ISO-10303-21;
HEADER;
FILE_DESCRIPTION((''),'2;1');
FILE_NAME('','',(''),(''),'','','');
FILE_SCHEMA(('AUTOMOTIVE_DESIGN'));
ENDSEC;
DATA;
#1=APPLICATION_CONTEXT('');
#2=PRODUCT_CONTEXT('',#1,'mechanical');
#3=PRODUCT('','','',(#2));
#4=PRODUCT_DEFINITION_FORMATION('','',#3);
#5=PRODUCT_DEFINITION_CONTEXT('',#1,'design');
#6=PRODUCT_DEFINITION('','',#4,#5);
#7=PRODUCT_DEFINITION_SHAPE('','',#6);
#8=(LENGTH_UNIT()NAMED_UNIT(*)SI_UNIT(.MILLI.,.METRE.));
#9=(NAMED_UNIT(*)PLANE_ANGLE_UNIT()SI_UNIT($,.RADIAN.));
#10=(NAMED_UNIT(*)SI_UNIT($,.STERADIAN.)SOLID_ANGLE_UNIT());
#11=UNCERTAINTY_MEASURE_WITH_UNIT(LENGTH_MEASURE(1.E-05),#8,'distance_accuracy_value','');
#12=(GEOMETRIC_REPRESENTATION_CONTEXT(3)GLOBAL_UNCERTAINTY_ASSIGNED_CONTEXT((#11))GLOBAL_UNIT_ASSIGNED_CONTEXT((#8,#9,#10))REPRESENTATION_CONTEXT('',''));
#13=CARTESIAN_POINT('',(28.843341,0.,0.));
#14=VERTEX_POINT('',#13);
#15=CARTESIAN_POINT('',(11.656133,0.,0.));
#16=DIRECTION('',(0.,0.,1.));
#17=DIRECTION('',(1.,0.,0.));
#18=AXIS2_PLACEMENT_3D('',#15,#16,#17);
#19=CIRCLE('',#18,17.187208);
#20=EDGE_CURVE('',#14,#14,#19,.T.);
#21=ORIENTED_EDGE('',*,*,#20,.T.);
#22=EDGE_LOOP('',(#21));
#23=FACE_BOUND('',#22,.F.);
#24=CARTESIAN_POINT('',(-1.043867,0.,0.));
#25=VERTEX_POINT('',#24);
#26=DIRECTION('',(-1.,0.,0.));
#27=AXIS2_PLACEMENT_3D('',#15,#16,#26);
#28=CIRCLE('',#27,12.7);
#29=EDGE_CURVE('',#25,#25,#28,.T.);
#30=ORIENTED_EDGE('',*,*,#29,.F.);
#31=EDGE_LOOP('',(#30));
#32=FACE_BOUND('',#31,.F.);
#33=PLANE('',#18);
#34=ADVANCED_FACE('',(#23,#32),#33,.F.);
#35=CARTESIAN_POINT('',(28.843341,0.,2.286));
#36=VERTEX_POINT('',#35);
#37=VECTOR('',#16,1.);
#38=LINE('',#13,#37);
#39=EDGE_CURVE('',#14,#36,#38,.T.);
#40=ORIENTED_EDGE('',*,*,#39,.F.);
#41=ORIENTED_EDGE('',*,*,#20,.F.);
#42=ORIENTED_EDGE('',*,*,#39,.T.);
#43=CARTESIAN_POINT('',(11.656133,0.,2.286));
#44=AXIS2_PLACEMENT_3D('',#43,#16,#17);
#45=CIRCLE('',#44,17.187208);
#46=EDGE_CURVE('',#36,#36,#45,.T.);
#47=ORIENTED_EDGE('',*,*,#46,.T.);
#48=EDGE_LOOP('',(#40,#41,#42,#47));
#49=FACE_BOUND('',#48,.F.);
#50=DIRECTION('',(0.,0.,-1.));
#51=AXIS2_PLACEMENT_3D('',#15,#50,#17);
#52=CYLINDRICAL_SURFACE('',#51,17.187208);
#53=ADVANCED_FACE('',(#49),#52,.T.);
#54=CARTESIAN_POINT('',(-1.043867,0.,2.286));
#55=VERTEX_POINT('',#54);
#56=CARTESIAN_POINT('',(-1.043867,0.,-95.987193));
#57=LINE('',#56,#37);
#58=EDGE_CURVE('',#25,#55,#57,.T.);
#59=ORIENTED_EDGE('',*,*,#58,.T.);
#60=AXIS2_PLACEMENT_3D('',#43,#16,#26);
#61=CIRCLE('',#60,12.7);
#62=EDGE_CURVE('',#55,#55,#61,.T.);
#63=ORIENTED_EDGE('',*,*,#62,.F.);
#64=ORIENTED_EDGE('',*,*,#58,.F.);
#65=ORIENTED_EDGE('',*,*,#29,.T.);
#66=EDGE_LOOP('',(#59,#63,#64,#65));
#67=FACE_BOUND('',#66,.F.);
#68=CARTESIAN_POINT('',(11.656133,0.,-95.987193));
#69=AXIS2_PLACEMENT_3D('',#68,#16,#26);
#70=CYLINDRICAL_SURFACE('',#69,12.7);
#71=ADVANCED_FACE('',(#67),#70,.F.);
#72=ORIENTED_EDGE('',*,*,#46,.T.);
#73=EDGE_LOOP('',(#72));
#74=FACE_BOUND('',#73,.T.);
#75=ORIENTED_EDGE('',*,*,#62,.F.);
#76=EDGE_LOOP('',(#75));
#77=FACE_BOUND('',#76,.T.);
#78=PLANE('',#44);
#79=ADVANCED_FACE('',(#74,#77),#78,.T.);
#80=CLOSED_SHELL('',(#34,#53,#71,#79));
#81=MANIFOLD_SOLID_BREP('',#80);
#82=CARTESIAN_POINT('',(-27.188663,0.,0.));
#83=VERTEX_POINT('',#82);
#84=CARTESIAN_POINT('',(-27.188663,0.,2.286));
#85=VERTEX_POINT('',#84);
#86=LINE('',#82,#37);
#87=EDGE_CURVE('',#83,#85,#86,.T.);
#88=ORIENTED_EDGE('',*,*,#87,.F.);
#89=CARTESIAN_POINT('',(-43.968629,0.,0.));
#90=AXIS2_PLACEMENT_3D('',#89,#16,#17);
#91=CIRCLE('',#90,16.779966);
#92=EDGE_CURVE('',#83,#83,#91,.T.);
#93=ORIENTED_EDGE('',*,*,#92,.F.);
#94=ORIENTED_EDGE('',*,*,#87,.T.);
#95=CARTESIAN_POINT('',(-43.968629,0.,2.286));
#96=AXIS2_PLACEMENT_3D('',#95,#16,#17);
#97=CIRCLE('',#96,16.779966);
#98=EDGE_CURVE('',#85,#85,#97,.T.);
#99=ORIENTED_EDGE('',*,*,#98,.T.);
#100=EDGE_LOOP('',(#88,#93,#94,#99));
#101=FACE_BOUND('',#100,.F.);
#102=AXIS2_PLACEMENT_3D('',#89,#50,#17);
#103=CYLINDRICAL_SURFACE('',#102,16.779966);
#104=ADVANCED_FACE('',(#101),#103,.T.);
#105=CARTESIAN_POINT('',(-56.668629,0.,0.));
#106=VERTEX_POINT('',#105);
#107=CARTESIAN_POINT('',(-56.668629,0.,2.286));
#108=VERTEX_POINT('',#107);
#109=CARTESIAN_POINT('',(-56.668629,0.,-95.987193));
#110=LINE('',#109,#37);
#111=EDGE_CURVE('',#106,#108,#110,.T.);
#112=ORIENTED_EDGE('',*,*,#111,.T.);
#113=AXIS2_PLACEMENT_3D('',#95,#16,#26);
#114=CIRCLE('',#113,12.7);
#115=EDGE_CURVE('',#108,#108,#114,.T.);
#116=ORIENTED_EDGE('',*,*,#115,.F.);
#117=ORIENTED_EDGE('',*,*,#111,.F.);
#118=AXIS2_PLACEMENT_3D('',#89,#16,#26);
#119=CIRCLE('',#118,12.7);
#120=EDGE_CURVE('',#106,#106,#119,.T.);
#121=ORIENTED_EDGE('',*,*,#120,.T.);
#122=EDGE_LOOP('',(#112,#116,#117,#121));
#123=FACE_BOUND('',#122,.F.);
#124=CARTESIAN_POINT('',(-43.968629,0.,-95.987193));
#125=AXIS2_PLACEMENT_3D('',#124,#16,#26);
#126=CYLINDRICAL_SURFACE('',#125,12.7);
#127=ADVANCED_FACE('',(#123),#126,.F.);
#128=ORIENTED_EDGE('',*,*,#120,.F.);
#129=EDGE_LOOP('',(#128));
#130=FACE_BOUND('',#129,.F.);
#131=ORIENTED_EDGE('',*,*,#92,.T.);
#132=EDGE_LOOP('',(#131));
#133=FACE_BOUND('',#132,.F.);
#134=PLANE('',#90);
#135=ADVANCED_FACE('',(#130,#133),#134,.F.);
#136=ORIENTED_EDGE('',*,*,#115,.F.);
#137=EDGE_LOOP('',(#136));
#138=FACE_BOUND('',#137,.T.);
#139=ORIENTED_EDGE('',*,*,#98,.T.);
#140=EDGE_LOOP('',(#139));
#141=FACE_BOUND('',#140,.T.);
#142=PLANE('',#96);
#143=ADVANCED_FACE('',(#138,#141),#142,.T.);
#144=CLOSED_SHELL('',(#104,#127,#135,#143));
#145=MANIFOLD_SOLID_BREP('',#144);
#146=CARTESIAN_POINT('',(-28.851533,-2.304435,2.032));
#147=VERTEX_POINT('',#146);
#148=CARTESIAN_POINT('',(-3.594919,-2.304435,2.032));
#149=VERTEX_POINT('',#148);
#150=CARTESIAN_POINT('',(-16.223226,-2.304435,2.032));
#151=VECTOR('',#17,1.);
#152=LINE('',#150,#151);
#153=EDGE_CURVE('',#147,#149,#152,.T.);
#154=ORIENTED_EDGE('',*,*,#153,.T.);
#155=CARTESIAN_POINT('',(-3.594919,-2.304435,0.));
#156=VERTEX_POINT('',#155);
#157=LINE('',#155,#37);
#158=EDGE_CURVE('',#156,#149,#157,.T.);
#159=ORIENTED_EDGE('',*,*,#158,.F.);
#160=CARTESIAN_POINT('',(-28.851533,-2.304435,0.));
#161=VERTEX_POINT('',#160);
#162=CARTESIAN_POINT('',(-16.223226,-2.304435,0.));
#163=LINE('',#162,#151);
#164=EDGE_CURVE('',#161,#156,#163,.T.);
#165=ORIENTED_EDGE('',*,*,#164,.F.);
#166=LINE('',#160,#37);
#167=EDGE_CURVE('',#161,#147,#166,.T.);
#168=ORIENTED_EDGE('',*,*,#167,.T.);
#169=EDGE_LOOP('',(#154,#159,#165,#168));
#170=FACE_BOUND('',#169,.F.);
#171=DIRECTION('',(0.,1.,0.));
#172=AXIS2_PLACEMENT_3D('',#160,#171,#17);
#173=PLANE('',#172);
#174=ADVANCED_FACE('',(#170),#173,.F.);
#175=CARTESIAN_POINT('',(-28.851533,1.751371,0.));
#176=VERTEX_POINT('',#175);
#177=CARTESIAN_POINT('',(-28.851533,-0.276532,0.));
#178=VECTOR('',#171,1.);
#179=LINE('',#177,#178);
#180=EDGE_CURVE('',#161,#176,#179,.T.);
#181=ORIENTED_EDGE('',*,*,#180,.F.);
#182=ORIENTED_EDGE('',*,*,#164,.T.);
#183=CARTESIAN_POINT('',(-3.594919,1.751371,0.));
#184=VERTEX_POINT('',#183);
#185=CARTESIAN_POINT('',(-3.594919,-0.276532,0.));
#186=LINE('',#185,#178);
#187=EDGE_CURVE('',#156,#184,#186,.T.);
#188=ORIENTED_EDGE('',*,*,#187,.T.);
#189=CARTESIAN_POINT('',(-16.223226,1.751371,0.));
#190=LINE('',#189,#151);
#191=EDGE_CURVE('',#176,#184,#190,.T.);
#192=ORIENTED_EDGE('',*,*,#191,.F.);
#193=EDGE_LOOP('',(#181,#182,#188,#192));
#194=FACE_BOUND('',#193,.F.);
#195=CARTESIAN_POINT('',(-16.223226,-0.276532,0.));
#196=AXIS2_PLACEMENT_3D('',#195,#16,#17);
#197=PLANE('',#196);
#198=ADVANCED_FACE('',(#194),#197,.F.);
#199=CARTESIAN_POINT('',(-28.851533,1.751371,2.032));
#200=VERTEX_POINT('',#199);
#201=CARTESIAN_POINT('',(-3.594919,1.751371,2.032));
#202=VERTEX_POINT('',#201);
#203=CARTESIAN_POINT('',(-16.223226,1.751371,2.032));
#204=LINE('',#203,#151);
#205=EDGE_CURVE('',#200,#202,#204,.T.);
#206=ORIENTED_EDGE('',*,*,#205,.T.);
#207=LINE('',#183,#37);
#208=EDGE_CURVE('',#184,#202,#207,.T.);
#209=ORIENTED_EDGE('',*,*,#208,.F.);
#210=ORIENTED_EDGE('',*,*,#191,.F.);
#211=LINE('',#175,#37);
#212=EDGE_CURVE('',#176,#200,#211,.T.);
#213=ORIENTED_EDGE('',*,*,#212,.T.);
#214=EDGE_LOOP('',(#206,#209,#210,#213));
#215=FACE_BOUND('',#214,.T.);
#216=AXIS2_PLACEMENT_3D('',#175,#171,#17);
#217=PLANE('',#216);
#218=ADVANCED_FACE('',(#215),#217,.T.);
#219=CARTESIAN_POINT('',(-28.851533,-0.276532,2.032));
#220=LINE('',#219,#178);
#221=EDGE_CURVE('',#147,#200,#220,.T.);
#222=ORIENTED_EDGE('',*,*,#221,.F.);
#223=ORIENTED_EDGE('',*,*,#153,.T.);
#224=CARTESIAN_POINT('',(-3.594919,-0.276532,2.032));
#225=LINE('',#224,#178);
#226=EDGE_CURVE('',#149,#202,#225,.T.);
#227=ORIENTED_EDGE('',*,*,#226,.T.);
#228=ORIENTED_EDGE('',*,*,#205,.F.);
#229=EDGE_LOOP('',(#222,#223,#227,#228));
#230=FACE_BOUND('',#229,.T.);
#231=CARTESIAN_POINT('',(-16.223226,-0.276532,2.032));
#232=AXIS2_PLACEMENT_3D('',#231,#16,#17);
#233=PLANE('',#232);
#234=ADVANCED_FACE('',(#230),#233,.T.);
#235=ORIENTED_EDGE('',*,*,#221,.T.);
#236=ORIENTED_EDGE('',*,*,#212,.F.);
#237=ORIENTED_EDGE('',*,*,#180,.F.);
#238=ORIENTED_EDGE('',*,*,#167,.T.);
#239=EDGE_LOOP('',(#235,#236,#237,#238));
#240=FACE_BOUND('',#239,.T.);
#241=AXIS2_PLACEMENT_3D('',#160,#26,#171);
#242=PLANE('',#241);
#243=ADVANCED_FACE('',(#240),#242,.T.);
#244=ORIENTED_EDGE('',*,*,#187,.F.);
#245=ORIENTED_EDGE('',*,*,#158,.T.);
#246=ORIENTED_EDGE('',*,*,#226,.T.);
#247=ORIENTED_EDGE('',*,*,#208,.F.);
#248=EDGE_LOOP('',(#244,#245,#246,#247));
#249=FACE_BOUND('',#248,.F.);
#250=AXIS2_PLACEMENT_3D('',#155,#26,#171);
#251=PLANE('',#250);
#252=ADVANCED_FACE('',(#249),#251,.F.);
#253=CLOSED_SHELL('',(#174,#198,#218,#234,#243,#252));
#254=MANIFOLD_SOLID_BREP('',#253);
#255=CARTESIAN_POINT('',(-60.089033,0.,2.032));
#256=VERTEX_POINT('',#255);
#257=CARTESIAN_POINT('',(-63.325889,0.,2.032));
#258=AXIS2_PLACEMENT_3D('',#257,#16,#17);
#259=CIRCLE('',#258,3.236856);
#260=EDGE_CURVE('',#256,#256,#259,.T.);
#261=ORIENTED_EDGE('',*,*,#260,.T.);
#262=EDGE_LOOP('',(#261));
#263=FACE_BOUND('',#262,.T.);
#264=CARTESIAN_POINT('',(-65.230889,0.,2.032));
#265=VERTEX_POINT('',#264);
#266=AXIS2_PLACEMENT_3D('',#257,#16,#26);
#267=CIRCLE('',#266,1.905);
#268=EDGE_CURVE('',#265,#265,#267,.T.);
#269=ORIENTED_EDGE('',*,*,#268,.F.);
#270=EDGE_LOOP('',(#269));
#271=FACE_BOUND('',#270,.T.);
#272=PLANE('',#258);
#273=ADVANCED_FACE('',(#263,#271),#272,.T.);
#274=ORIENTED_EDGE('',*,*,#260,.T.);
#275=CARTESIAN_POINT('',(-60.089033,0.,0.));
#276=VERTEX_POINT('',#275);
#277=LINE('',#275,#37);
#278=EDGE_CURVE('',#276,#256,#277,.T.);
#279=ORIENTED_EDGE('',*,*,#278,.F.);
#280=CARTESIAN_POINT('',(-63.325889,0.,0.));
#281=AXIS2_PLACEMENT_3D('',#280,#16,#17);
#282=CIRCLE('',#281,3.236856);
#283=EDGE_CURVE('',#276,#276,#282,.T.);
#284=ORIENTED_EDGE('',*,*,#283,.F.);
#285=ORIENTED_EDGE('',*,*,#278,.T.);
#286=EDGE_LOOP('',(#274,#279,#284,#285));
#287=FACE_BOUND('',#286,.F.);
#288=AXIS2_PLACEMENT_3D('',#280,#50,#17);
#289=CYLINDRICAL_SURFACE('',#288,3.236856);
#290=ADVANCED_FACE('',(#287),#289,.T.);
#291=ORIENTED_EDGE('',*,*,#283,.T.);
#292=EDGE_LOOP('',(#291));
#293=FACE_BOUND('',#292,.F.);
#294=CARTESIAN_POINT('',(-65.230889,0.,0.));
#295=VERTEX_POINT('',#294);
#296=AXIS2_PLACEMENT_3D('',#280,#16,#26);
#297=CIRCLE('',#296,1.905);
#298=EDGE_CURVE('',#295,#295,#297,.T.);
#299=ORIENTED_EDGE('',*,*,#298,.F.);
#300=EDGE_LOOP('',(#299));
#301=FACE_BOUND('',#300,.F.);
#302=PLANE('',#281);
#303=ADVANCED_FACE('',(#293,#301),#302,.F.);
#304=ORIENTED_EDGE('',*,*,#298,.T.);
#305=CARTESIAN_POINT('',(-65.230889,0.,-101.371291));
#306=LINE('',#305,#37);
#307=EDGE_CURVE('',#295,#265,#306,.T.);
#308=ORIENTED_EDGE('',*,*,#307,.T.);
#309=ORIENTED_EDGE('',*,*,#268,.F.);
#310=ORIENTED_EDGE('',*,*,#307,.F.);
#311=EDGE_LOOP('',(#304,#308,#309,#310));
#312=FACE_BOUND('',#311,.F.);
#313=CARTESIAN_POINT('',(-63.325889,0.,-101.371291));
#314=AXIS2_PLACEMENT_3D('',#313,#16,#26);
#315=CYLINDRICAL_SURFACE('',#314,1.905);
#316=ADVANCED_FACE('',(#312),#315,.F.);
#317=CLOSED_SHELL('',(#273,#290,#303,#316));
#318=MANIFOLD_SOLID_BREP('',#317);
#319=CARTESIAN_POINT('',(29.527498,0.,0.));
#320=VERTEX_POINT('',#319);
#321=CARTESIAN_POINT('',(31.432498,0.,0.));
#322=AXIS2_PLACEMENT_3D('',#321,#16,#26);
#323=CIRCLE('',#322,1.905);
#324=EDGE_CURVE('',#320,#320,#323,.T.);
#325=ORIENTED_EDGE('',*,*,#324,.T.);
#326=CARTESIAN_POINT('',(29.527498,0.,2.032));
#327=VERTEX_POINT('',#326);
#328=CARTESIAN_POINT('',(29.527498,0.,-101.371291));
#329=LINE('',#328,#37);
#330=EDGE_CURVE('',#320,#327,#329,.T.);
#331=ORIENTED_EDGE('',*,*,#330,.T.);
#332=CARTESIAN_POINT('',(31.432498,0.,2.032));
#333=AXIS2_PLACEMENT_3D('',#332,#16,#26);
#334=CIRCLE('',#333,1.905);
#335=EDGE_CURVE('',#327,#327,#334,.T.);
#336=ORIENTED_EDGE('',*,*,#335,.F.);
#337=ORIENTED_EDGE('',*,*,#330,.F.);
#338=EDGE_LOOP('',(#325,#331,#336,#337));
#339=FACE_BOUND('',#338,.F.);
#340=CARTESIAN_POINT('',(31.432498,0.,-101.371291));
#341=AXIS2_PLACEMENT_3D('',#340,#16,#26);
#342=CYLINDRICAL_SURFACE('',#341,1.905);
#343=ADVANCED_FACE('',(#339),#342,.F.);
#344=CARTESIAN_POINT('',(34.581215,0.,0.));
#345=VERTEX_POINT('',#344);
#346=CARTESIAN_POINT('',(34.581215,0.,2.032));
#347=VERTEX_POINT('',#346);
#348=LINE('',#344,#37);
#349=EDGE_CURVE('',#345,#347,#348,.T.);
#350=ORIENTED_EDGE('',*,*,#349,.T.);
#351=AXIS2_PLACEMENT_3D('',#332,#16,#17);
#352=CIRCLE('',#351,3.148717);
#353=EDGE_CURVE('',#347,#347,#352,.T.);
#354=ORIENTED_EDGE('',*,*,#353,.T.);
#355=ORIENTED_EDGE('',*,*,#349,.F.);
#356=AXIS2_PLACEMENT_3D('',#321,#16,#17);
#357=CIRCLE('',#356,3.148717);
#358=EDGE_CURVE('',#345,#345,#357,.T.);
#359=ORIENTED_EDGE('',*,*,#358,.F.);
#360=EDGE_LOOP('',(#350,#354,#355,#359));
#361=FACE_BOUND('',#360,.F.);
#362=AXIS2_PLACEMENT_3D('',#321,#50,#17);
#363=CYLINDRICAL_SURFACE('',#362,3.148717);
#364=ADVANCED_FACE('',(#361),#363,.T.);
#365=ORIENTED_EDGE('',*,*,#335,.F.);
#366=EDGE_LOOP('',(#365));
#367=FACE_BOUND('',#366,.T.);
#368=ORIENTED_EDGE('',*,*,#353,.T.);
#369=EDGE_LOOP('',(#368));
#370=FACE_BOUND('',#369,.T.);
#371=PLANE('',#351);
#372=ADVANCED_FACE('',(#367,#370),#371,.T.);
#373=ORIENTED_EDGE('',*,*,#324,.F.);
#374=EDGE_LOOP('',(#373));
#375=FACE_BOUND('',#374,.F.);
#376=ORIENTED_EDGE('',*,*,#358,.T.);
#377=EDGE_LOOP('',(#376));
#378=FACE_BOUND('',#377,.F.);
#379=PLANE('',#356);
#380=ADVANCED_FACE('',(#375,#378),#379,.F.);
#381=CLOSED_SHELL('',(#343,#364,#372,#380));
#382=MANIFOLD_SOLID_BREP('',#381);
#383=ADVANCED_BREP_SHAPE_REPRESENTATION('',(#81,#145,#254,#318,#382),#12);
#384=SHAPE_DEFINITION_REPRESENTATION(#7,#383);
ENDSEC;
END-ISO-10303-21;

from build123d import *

# Parameters (mm, degrees)
F0_R     = 16.779966
F0_R_2   = 17.187208
F1_DEPTH = 2.286
F2_D     = 25.4
F3_R     = 3.236856
F3_R_2   = 3.148717
F4_DEPTH = 2.032
F6_D     = 3.81
F7_W     = 25.256614
F7_H     = 4.055806
F8_DEPTH = 2.032


with BuildPart() as f1:
    # F0 (on Top) → F1 (new body)
    with BuildSketch(Plane.XY):
        with Locations((-43.968629, 0)):
            Circle(F0_R)
        with Locations((11.656133, 0)):
            Circle(F0_R_2)
    extrude(amount=F1_DEPTH)

    # F2 (through all)
    with Locations(Plane(origin=(0, 0, 0), x_dir=(1, 0, 0), z_dir=(0, 0, -1))):
        with Locations((-43.968629, 0), (11.656133, 0)):
            Hole(F2_D / 2)


with BuildPart() as f4:
    # F3 (on Top) → F4 (new body)
    with BuildSketch(Plane.XY):
        with Locations((-63.325889, 0)):
            Circle(F3_R)
        with Locations((31.432498, 0)):
            Circle(F3_R_2)
    extrude(amount=F4_DEPTH)

    # F6 (through all)
    with Locations(Plane(origin=(0, 0, 0), x_dir=(1, 0, 0), z_dir=(0, 0, -1))):
        with Locations((-63.325889, 0), (31.432498, 0)):
            Hole(F6_D / 2)


with BuildPart() as f8:
    # F7 (on Top) → F8 (new body)
    with BuildSketch(Plane.XY):
        with Locations((-16.223226, -0.276532)):
            Rectangle(F7_W, F7_H)
    extrude(amount=F8_DEPTH)


solid = Compound([f1.part, f4.part, f8.part])
